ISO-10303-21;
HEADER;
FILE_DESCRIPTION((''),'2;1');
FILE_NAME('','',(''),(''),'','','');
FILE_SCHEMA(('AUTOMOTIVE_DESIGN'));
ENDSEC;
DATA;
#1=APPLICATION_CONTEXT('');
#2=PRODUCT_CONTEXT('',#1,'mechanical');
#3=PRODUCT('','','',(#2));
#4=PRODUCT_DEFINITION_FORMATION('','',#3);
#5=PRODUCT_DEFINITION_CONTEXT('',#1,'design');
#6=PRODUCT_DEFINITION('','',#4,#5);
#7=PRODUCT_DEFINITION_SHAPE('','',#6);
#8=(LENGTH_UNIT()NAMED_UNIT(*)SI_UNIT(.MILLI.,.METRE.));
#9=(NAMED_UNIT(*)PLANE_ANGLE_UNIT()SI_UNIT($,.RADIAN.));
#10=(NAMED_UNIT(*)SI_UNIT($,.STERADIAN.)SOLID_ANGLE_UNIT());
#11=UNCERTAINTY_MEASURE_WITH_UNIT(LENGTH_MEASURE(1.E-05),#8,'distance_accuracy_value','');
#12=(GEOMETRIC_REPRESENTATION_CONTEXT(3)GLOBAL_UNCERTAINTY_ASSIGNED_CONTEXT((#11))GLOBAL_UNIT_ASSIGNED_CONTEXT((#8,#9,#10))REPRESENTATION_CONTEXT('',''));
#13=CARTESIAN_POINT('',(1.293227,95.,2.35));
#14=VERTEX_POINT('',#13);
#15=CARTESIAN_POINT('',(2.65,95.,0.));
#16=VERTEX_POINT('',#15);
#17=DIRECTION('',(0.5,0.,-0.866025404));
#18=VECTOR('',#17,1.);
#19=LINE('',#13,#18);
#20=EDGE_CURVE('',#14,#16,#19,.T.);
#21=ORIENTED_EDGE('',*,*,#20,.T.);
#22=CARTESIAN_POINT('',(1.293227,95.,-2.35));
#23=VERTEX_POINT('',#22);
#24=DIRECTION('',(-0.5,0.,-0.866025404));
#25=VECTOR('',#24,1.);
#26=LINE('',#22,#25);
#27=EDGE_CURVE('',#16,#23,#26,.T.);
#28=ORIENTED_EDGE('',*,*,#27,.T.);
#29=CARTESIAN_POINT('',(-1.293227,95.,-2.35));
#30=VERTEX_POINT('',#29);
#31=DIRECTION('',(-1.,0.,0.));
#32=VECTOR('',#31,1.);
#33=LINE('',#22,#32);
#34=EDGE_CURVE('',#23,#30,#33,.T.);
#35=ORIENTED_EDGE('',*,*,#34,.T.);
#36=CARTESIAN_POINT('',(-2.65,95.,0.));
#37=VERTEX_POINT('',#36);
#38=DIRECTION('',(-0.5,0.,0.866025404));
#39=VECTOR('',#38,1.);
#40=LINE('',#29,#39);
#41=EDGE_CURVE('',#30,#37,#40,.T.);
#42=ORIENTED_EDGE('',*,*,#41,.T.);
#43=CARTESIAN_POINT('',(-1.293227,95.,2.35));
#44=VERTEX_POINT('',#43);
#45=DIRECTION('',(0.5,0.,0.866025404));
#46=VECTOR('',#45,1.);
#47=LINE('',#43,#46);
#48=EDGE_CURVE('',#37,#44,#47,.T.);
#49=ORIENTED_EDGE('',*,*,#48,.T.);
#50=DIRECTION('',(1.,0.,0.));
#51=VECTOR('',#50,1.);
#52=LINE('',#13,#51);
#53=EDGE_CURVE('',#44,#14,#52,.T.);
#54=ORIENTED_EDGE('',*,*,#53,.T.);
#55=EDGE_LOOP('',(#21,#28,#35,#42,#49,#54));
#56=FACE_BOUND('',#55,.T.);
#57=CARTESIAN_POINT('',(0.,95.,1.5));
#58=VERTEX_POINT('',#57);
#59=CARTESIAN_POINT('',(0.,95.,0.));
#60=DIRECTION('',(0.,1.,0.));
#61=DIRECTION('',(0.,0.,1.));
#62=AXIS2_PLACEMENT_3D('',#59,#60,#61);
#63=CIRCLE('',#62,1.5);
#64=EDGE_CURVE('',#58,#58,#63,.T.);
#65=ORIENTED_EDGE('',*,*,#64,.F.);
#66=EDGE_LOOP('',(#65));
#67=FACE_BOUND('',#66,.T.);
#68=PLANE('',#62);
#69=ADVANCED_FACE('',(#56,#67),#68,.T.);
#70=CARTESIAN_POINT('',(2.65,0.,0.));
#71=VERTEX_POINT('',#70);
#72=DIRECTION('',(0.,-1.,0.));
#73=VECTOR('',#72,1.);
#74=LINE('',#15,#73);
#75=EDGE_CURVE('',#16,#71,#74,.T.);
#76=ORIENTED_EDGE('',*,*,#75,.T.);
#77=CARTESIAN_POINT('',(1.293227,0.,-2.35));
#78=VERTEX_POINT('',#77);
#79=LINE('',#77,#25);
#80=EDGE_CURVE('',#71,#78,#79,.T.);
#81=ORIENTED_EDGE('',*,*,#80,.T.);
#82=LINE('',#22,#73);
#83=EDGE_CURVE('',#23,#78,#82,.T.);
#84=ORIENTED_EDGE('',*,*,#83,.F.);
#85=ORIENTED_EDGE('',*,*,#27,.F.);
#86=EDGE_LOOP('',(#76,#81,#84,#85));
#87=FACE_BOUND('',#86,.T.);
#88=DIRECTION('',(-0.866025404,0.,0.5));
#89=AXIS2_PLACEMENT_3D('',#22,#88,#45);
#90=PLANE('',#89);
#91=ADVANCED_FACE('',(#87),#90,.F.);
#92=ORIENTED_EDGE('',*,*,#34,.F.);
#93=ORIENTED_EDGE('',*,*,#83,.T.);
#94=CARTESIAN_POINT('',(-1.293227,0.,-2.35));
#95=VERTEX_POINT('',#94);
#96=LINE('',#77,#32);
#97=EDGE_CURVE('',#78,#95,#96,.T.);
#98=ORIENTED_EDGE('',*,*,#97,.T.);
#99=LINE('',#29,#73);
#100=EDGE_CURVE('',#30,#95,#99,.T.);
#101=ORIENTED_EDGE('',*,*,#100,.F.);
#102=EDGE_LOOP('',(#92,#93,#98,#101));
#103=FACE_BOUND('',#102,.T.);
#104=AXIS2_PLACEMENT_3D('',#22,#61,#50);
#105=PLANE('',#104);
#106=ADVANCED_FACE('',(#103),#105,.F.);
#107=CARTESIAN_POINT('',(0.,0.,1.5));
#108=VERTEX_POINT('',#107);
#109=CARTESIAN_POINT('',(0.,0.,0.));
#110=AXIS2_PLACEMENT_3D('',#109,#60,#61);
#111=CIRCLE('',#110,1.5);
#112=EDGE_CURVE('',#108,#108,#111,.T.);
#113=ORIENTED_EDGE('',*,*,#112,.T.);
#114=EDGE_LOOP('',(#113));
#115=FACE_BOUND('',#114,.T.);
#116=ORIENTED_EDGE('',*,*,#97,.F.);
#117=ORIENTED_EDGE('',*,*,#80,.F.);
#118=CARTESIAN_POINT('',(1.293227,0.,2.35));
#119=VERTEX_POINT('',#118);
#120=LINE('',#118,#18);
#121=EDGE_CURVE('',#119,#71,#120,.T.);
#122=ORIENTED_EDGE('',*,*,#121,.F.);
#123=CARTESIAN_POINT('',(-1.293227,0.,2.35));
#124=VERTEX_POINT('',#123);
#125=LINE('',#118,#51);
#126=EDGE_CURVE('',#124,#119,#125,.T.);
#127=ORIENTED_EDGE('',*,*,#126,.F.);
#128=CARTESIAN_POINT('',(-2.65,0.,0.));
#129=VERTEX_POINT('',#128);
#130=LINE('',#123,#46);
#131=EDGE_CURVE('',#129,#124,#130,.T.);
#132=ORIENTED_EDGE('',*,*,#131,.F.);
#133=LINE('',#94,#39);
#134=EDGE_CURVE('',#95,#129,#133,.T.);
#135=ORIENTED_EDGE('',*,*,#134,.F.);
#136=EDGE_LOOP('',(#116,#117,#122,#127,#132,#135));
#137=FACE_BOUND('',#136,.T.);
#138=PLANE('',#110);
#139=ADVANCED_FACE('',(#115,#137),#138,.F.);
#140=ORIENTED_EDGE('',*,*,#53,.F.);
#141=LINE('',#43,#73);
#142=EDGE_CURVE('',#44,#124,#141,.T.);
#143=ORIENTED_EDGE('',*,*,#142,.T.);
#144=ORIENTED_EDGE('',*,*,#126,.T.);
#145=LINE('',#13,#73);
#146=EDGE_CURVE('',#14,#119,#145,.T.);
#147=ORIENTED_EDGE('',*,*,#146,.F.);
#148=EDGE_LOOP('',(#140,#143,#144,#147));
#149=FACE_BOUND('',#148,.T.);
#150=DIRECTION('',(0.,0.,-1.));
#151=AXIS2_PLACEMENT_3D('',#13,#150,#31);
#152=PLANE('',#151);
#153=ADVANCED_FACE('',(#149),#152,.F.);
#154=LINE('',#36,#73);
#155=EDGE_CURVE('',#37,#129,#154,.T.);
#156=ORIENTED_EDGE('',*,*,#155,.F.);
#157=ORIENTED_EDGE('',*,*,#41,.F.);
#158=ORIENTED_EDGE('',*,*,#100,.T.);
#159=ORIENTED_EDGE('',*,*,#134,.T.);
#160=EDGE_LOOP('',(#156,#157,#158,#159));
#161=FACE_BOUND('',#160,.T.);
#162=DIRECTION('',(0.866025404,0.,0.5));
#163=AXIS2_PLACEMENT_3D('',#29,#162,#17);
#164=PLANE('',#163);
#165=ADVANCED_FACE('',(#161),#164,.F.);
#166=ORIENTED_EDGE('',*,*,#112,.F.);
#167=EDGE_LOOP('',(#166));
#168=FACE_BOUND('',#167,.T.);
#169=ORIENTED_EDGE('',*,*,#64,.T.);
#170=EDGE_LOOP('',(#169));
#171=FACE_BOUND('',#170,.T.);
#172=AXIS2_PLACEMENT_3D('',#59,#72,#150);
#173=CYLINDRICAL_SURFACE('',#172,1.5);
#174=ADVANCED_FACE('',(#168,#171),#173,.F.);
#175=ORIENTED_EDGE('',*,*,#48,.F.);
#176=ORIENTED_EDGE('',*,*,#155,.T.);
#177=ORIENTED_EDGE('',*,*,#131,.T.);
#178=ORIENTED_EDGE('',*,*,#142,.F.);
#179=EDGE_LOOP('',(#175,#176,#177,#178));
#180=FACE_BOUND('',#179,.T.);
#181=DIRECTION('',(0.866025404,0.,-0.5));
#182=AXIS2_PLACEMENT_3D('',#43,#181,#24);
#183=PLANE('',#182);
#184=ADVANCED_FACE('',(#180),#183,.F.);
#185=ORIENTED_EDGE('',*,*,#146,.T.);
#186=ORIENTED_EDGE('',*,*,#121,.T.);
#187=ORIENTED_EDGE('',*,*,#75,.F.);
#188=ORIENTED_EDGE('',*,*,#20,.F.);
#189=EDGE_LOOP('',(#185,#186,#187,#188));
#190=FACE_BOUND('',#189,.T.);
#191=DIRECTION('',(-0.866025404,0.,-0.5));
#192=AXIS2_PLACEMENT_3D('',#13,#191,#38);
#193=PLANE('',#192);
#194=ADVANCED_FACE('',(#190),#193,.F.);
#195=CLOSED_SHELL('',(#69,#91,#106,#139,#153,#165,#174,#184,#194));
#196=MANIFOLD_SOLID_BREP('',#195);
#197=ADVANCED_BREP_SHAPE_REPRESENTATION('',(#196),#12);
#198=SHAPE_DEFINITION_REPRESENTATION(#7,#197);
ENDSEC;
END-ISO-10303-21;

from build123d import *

# Parameters (mm, degrees)
SKETCH_1_R      = 1.5
EXTRUDE_1_DEPTH = 95


with BuildPart() as part:
    # 草图1 → 凸台-拉伸1 (new body)
    with BuildSketch(Plane(origin=(0, 0, 0), x_dir=(1, 0, 0), z_dir=(0, 1, 0))):
        Polygon((1.293226867, 2.35), (-1.293226867, 2.35), (-2.65, 0), (-1.293226867, -2.35), (1.293226867, -2.35), (2.65, 0), align=None)
        Circle(SKETCH_1_R, mode=Mode.SUBTRACT)
    extrude(amount=EXTRUDE_1_DEPTH)


solid = part.part
